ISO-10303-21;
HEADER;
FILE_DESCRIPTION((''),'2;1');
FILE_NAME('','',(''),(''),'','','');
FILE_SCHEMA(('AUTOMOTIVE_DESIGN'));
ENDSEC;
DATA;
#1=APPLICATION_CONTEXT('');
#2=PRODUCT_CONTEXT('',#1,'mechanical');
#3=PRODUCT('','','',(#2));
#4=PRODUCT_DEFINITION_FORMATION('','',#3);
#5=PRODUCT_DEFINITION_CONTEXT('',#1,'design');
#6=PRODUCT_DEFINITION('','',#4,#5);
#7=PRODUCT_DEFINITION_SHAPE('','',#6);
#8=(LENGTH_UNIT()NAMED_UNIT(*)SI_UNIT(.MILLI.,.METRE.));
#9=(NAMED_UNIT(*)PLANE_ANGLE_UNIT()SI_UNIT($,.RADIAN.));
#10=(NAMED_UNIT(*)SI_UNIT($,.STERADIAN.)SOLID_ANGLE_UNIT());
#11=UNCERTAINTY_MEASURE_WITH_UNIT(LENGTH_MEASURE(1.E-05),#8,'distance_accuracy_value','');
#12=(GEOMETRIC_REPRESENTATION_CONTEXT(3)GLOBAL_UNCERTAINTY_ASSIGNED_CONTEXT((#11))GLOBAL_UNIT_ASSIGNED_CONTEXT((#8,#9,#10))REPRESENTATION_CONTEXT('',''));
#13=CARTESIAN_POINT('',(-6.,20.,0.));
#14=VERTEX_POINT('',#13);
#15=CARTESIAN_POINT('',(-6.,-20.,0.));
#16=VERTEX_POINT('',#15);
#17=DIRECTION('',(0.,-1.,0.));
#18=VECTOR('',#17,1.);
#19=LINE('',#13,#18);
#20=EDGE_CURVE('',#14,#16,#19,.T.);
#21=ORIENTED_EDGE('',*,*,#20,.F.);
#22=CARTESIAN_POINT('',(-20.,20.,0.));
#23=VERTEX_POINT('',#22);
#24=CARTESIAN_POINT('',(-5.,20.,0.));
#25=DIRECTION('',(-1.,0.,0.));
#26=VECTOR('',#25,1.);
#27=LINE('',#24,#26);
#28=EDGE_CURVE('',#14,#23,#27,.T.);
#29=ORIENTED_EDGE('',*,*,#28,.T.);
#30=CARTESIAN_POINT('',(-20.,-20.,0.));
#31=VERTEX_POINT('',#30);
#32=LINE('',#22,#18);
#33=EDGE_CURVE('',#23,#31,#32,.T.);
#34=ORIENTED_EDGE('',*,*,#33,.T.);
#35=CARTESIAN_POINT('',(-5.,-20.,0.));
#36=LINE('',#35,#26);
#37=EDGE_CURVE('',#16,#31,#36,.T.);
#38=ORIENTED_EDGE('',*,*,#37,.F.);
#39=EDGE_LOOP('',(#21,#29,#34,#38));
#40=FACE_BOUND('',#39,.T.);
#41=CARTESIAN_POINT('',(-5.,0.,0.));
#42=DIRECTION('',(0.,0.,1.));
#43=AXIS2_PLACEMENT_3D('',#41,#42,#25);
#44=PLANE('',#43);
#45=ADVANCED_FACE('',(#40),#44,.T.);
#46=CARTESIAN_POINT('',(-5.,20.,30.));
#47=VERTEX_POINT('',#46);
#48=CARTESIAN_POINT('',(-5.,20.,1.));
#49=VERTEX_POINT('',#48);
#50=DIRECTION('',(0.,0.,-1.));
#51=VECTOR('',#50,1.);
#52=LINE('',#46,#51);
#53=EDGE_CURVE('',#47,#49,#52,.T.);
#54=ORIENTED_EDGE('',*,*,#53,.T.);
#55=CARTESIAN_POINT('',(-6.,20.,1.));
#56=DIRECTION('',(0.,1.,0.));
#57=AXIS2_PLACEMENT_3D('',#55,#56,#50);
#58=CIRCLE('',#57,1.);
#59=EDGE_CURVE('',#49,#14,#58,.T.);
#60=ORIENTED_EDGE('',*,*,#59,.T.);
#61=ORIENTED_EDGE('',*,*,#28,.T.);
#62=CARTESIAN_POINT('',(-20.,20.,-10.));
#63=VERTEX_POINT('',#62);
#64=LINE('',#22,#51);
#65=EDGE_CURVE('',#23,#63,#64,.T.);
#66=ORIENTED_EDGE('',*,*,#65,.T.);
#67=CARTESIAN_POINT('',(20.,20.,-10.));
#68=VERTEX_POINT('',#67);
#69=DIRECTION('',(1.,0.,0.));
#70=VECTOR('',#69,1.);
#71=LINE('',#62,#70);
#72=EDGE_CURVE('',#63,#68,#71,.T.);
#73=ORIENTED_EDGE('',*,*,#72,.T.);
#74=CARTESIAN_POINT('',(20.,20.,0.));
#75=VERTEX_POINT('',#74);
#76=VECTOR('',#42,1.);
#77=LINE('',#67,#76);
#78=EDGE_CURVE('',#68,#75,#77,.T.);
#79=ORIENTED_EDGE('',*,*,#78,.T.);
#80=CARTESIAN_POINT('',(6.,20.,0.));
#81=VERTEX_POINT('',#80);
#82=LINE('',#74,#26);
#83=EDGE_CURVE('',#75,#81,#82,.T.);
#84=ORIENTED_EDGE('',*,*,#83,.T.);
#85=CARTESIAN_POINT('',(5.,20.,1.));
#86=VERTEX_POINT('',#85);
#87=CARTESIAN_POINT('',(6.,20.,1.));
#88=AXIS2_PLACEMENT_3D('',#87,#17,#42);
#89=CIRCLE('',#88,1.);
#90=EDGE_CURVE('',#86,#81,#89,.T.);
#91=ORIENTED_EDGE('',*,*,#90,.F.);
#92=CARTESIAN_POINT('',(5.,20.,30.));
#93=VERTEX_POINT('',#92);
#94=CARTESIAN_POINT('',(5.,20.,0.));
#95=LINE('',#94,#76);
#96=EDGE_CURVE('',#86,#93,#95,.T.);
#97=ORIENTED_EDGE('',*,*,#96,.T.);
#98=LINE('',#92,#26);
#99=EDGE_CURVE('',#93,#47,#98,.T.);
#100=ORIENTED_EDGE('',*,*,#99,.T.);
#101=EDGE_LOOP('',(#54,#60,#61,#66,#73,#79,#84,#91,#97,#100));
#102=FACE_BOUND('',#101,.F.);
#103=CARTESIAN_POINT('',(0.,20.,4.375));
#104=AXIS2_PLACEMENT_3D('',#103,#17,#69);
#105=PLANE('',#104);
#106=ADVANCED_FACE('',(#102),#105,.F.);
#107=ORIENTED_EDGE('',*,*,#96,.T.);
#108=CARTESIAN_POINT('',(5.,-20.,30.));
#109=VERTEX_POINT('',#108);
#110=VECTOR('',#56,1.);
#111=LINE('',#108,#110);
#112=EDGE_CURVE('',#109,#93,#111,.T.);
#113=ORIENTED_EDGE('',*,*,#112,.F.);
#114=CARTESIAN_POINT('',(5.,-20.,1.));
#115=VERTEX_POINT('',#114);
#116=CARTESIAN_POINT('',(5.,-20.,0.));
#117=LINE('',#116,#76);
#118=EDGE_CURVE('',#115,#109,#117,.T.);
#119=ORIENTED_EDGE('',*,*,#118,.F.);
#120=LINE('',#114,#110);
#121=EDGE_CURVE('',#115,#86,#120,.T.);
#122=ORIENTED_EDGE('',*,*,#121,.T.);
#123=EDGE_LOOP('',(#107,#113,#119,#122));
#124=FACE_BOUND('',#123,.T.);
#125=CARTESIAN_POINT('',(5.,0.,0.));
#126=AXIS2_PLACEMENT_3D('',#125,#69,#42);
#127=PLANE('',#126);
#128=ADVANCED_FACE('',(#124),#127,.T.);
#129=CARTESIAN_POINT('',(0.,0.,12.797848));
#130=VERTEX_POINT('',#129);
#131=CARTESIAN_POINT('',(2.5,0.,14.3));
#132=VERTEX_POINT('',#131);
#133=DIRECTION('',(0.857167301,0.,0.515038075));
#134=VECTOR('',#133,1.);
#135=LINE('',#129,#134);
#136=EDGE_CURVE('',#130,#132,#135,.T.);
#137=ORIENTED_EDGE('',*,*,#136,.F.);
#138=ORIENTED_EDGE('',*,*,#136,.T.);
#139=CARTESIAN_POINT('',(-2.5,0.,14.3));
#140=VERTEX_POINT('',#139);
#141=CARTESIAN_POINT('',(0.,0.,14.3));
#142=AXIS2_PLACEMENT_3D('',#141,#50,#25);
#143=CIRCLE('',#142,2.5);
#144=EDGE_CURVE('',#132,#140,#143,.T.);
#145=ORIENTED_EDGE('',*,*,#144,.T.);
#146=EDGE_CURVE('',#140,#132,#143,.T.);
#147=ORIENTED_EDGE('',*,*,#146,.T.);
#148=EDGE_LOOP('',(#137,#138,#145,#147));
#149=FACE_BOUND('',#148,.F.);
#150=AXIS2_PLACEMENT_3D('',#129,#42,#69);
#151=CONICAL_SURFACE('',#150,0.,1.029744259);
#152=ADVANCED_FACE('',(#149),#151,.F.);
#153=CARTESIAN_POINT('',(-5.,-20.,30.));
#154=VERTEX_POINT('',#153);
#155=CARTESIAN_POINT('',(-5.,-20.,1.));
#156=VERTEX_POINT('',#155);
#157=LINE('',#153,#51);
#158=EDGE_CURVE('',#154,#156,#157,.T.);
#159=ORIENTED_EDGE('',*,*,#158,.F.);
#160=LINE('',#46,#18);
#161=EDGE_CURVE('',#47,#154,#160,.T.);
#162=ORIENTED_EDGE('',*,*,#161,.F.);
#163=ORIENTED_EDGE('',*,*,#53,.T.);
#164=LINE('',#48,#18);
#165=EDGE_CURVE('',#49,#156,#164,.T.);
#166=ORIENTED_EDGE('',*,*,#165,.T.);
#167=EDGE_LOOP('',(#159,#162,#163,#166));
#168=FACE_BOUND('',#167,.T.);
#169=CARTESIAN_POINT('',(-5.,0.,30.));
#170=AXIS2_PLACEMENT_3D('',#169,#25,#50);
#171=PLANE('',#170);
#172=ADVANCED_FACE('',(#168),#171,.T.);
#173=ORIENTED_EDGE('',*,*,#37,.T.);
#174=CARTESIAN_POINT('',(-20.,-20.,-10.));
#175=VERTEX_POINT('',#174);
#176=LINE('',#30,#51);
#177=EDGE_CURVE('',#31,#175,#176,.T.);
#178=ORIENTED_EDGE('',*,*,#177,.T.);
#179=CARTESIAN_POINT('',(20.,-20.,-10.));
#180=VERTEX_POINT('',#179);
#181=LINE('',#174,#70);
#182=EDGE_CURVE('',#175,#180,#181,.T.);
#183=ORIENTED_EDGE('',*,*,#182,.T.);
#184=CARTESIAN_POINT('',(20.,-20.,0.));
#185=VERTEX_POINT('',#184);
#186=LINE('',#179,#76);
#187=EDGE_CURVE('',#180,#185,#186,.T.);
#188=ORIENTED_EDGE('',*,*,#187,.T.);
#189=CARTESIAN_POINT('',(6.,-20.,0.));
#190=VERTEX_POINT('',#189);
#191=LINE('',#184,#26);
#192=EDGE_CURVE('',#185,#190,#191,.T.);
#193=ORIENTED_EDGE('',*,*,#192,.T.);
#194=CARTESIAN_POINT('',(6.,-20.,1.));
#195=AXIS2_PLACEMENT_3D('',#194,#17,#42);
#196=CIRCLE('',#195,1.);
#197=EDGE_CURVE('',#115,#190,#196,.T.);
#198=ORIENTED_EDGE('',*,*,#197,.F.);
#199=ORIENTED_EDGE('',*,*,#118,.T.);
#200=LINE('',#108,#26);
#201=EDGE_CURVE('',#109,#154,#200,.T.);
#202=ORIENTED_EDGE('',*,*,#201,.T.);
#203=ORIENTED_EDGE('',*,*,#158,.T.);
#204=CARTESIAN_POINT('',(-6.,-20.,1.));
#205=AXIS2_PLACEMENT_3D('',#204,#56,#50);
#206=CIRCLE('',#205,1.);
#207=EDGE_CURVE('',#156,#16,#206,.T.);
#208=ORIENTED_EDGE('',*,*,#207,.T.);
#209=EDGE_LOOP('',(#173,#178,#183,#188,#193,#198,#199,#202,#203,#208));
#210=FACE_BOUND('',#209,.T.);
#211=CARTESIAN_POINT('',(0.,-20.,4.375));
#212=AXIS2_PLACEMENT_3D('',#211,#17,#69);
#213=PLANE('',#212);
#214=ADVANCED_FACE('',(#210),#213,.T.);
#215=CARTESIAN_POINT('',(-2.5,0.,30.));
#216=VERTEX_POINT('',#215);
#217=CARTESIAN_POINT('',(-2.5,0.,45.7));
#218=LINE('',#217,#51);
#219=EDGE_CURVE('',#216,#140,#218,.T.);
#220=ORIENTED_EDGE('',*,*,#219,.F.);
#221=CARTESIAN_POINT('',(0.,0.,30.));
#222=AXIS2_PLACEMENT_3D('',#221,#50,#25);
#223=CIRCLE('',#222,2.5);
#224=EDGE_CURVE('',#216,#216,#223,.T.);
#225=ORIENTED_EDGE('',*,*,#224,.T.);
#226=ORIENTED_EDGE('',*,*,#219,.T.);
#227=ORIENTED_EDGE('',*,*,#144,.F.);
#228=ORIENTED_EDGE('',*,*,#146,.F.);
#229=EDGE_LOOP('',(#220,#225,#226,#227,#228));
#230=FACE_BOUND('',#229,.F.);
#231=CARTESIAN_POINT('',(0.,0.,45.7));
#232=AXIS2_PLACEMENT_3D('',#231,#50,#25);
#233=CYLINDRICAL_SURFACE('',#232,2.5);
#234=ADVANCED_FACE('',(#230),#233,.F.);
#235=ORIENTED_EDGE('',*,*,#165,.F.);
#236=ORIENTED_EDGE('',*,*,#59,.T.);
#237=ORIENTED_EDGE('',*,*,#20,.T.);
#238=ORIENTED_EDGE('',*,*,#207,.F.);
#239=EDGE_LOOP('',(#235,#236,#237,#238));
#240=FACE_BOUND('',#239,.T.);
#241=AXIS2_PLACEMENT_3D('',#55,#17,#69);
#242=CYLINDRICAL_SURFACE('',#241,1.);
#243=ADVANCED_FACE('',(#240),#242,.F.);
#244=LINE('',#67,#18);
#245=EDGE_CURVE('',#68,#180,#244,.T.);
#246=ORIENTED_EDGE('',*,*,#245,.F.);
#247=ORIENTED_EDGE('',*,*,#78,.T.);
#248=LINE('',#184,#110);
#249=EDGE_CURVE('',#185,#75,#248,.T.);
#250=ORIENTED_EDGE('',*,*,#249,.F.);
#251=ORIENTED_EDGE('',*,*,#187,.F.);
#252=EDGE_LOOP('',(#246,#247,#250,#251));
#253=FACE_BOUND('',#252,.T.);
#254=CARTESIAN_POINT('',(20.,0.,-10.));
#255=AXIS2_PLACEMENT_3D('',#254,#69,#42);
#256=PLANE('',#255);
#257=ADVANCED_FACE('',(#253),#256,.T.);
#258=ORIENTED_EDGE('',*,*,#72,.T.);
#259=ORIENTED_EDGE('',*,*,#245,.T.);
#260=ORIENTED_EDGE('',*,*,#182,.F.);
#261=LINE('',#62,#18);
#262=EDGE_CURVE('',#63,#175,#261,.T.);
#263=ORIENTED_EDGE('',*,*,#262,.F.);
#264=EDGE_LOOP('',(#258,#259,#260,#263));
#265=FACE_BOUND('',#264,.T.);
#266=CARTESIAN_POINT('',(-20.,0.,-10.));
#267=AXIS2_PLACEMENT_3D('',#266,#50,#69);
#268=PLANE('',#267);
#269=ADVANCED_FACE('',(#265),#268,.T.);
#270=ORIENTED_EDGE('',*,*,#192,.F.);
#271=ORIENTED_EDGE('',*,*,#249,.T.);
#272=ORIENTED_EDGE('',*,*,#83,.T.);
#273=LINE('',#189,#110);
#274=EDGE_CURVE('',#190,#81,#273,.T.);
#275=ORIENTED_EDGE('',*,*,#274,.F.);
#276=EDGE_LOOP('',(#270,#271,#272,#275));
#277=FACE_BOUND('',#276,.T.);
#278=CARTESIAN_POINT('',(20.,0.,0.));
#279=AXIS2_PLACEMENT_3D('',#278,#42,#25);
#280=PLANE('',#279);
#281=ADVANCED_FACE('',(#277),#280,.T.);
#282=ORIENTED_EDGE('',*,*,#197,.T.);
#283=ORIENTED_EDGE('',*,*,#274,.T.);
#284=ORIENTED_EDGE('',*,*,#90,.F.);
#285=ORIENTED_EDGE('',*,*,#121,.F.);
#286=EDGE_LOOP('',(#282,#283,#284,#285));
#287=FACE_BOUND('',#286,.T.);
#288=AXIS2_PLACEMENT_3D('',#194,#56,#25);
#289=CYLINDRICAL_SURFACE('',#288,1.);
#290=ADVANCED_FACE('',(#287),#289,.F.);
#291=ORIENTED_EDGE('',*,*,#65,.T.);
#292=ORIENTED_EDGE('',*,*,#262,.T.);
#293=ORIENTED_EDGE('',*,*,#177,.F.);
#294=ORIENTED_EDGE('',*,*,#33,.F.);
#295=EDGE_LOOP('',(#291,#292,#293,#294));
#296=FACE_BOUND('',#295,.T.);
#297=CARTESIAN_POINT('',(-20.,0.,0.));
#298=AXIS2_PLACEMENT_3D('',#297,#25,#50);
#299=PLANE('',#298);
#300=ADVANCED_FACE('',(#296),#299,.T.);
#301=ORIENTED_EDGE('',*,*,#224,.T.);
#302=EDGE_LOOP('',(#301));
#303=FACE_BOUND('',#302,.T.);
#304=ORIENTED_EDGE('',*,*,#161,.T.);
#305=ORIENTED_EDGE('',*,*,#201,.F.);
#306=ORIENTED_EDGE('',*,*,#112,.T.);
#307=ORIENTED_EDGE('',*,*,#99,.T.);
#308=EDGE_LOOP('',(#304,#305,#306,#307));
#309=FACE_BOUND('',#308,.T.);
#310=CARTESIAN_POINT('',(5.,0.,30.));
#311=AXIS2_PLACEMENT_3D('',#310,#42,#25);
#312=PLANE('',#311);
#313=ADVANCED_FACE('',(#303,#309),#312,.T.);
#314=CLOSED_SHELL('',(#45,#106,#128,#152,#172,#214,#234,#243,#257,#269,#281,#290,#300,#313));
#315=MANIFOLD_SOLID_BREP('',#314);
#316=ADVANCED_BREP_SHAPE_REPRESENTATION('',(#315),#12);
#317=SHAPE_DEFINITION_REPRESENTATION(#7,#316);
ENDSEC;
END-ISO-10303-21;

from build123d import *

# Parameters (mm, degrees)
F1_DEPTH = 20
F3_D     = 5
F3_DEPTH = 15.7
F3_TIP   = 1.5021515476
F4_R     = 1


with BuildPart() as f1:
    # F0 (on Front) → F1 (new body, symmetric)
    with BuildSketch(Plane.XZ):
        Polygon((5, 30), (-5, 30), (-5, 0), (-20, 0), (-20, -10), (20, -10), (20, 0), (5, 0), align=None)
    extrude(amount=F1_DEPTH, both=True)

    # F3
    with Locations(Plane.XY.offset(30)):
        with Locations((0, 0)):
            Hole(F3_D / 2, depth=F3_DEPTH)
            with Locations((0, 0, -(F3_DEPTH + F3_TIP / 2))):  # 118° drill point
                Cone(0, F3_D / 2, F3_TIP, mode=Mode.SUBTRACT)

    # F4
    f4_edges = [f1.edges().sort_by_distance(p)[0] for p in [
        (5, 0, 0),
        (-5, 0, 0),
    ]]
    fillet(f4_edges, radius=F4_R)


solid = f1.part
